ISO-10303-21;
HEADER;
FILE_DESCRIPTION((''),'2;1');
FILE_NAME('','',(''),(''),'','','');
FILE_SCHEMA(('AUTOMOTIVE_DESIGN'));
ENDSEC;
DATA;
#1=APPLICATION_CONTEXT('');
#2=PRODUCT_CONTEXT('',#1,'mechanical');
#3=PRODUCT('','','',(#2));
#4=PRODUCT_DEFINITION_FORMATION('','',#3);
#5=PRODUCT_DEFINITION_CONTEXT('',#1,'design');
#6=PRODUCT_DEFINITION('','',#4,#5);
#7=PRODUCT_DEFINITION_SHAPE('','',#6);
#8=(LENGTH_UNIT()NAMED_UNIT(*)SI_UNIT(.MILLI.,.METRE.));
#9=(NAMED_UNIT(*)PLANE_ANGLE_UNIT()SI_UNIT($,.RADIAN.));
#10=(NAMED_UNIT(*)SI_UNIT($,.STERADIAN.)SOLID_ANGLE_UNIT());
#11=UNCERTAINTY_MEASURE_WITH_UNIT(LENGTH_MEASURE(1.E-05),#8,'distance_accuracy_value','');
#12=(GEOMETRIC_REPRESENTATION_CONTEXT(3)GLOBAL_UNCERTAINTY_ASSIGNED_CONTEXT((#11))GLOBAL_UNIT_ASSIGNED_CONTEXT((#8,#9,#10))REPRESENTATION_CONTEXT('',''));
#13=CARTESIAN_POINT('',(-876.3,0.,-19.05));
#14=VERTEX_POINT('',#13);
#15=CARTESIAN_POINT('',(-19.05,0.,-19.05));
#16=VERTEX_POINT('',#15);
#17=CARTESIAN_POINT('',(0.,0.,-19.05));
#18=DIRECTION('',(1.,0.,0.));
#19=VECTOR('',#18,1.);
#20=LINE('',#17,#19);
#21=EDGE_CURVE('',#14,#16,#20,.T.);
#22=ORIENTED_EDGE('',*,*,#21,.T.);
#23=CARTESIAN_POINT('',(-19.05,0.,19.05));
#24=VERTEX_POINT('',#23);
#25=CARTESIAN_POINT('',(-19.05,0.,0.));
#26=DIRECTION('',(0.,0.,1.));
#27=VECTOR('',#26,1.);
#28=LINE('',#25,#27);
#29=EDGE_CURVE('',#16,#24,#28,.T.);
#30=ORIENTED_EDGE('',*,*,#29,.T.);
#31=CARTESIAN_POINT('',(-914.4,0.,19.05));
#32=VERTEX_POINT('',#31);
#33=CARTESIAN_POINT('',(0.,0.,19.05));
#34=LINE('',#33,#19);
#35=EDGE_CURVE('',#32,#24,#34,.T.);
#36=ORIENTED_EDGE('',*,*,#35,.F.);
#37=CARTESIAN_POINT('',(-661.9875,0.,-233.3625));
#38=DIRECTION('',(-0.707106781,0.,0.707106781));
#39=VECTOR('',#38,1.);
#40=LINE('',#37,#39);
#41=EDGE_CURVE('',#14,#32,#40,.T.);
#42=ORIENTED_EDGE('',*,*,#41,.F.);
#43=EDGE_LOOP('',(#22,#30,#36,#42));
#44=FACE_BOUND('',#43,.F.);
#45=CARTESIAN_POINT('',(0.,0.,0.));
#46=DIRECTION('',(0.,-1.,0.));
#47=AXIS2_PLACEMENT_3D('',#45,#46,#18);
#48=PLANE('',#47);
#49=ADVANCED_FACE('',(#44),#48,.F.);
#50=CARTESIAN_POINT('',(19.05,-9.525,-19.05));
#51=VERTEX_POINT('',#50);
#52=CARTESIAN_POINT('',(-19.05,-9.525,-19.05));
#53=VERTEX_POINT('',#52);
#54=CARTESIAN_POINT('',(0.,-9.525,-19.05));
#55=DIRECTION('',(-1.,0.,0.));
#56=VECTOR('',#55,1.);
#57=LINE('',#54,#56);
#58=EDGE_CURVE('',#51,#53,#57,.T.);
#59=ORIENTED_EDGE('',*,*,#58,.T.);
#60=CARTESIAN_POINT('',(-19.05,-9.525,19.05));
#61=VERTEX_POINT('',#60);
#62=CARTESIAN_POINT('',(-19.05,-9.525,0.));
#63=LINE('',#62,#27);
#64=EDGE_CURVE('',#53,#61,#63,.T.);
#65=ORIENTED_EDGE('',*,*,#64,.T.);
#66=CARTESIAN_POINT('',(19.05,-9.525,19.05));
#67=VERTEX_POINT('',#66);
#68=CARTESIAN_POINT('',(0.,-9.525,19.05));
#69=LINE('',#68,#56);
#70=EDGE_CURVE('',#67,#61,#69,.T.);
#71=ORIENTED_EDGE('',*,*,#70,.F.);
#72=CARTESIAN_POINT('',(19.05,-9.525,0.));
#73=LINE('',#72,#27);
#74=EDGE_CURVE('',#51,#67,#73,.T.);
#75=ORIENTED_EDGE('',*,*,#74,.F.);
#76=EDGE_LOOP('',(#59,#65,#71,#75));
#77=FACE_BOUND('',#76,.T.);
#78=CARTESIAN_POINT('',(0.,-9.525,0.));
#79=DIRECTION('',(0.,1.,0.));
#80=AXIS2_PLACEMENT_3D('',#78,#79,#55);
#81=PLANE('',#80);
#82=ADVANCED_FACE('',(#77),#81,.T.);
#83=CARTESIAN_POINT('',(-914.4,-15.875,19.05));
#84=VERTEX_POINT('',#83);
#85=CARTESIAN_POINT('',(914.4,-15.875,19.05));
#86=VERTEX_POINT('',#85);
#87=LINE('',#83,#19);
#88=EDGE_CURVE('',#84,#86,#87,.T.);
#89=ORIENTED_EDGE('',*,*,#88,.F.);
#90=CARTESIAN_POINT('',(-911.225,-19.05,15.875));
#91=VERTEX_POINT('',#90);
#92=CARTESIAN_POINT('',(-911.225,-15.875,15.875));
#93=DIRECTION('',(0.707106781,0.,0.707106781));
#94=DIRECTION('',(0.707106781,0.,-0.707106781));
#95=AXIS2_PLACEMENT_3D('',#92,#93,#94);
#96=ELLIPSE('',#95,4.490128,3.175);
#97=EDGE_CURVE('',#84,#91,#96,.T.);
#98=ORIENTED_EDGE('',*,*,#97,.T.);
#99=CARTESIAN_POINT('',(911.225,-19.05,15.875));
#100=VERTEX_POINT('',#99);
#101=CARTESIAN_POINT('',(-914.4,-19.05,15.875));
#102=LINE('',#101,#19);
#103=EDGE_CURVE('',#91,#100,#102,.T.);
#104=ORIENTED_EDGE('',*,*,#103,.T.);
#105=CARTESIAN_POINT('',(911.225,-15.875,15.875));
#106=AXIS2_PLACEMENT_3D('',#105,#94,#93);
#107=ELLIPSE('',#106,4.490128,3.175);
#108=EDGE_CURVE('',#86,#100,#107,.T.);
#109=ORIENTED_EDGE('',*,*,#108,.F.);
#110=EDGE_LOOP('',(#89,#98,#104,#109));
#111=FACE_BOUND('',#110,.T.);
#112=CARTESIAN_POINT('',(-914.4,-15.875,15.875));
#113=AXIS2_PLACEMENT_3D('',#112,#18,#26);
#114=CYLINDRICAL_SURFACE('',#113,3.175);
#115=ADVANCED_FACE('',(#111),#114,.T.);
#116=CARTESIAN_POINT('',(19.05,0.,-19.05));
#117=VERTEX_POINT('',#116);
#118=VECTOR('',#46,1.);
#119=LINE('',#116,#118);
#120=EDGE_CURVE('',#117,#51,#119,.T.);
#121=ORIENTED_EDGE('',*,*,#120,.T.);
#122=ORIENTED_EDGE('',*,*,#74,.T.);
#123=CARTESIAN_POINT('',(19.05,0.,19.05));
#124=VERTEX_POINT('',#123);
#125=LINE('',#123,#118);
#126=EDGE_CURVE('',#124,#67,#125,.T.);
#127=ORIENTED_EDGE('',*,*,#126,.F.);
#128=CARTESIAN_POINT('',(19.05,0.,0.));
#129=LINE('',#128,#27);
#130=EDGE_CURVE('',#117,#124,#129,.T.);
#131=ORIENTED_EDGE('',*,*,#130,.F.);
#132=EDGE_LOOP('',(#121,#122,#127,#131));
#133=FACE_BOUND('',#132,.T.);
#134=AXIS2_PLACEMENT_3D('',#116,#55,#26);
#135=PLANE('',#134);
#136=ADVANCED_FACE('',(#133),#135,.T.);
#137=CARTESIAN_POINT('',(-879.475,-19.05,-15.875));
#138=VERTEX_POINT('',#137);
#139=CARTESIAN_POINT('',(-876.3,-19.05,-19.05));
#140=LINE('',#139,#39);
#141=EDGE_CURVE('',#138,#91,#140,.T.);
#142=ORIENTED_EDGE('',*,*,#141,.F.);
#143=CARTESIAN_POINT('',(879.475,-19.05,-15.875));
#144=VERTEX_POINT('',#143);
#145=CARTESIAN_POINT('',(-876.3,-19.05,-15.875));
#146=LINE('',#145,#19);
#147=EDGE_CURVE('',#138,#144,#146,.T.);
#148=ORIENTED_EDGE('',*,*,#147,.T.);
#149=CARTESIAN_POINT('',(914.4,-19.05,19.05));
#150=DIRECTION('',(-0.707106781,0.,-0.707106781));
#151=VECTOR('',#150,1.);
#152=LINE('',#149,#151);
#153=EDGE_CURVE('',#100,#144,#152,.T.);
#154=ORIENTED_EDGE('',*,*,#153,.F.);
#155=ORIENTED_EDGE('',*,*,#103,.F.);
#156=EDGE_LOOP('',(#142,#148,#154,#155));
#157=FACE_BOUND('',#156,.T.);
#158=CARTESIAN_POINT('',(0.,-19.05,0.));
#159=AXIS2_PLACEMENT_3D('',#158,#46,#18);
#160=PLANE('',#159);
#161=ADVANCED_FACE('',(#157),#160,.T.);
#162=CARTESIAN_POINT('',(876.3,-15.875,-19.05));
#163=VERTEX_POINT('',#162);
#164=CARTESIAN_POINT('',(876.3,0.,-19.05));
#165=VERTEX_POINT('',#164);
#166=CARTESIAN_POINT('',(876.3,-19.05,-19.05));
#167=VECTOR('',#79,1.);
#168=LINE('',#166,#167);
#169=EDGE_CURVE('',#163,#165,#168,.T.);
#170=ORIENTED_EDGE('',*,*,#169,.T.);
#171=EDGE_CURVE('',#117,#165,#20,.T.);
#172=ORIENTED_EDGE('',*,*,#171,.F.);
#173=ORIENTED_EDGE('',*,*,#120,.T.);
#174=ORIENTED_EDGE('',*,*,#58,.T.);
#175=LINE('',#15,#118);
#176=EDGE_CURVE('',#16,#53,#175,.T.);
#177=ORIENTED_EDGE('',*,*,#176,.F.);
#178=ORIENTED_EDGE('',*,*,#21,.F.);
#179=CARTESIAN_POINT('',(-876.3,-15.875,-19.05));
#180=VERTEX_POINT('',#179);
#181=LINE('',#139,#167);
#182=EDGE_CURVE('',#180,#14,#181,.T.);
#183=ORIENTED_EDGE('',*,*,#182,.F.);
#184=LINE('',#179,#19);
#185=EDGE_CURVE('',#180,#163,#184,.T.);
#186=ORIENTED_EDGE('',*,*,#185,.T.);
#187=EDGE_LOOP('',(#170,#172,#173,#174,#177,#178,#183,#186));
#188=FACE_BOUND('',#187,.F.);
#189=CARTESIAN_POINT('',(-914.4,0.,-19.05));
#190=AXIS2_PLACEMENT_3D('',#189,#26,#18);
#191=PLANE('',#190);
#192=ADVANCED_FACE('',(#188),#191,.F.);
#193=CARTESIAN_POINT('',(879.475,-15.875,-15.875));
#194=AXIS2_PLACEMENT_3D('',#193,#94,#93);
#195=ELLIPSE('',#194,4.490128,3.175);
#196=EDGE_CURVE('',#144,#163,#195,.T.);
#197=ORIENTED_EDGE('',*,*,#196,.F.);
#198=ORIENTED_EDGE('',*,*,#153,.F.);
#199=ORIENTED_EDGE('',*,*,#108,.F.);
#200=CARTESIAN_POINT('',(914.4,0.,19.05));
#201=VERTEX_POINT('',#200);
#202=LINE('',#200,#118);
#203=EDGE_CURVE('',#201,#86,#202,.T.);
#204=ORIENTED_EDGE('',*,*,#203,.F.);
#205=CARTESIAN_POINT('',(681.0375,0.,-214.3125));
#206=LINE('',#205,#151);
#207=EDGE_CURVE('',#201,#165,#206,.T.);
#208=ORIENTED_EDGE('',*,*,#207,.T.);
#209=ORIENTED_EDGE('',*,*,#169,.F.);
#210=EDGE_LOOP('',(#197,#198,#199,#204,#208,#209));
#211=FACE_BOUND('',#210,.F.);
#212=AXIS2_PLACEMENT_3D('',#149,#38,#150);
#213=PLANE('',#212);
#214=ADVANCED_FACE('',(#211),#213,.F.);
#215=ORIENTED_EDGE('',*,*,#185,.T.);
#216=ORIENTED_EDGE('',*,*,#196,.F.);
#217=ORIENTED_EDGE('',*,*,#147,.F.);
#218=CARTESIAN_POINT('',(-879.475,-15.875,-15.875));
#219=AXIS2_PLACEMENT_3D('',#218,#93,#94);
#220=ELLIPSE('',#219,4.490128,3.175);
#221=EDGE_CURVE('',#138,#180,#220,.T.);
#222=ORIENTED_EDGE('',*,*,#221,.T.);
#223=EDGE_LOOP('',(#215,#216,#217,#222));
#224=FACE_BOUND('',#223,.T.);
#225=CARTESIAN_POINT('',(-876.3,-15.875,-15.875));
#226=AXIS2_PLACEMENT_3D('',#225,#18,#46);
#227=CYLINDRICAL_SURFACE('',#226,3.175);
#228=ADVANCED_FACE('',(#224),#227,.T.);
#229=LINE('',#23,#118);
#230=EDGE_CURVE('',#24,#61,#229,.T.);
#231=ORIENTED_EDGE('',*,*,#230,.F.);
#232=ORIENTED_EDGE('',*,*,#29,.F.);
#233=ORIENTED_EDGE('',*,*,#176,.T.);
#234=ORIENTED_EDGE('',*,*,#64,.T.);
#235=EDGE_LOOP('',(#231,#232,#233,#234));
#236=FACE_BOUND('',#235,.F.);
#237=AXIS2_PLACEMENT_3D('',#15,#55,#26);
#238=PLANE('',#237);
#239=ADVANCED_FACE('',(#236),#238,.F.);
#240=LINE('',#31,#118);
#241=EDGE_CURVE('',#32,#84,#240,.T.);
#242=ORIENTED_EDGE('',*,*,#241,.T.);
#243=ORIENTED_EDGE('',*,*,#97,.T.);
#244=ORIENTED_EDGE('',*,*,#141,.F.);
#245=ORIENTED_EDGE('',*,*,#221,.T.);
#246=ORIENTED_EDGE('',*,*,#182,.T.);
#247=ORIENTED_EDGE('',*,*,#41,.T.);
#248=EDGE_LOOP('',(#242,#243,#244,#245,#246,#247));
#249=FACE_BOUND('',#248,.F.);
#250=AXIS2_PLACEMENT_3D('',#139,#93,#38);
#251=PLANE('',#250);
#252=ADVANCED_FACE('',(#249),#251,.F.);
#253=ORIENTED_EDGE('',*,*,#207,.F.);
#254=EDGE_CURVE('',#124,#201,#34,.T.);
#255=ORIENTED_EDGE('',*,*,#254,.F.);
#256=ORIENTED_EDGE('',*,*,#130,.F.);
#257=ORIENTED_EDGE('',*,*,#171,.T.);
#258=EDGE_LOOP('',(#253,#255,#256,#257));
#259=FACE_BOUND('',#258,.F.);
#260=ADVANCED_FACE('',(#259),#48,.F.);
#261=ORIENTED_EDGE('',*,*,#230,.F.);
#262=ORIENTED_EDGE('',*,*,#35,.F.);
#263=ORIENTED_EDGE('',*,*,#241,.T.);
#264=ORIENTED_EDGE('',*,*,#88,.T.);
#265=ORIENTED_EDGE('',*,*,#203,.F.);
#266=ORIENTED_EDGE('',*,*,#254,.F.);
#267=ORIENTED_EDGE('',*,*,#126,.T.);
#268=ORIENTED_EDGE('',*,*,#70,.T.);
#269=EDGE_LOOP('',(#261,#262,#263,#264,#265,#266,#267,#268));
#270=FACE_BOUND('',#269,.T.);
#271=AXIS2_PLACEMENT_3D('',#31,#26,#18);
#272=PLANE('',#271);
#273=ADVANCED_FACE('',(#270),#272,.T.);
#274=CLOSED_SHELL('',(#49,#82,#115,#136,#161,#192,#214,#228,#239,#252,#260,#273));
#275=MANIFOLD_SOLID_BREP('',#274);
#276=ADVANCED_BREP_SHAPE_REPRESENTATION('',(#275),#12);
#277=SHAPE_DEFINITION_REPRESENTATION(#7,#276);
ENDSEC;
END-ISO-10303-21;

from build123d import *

# Parameters (mm, degrees)
F0_W     = 1828.8
F0_H     = 38.1
F1_DEPTH = 19.05
F2_W     = 38.1
F2_H     = 38.1
F3_DEPTH = 9.525
F5_DEPTH = 19.051
F6_R     = 3.175


with BuildPart() as f1:
    # F0 (on Front) → F1 (new body)
    with BuildSketch(Plane.XZ):
        Rectangle(F0_W, F0_H)
    extrude(amount=F1_DEPTH)

    # F2 (on face) → F3 (cut)
    with BuildSketch(Plane(origin=(0, 0, 0), x_dir=(-1, 0, 0), z_dir=(0, 1, 0))):
        Rectangle(F2_W, F2_H)
    extrude(amount=-F3_DEPTH, mode=Mode.SUBTRACT)

    # F4 (on face) → F5 (cut, through all)
    with BuildSketch(Plane.XZ.offset(19.05)):
        Polygon((-876.3, -19.05), (-914.4, 19.05), (-914.4, -19.05), align=None)
        Polygon((876.3, -19.05), (914.4, -19.05), (914.4, 19.05), align=None)
    extrude(amount=-F5_DEPTH, mode=Mode.SUBTRACT)

    # F6
    f6_edges = [f1.edges().sort_by_distance(p)[0] for p in [
        (0, -19.05, 19.05),
        (0, -19.05, -19.05),
    ]]
    fillet(f6_edges, radius=F6_R)


solid = f1.part
